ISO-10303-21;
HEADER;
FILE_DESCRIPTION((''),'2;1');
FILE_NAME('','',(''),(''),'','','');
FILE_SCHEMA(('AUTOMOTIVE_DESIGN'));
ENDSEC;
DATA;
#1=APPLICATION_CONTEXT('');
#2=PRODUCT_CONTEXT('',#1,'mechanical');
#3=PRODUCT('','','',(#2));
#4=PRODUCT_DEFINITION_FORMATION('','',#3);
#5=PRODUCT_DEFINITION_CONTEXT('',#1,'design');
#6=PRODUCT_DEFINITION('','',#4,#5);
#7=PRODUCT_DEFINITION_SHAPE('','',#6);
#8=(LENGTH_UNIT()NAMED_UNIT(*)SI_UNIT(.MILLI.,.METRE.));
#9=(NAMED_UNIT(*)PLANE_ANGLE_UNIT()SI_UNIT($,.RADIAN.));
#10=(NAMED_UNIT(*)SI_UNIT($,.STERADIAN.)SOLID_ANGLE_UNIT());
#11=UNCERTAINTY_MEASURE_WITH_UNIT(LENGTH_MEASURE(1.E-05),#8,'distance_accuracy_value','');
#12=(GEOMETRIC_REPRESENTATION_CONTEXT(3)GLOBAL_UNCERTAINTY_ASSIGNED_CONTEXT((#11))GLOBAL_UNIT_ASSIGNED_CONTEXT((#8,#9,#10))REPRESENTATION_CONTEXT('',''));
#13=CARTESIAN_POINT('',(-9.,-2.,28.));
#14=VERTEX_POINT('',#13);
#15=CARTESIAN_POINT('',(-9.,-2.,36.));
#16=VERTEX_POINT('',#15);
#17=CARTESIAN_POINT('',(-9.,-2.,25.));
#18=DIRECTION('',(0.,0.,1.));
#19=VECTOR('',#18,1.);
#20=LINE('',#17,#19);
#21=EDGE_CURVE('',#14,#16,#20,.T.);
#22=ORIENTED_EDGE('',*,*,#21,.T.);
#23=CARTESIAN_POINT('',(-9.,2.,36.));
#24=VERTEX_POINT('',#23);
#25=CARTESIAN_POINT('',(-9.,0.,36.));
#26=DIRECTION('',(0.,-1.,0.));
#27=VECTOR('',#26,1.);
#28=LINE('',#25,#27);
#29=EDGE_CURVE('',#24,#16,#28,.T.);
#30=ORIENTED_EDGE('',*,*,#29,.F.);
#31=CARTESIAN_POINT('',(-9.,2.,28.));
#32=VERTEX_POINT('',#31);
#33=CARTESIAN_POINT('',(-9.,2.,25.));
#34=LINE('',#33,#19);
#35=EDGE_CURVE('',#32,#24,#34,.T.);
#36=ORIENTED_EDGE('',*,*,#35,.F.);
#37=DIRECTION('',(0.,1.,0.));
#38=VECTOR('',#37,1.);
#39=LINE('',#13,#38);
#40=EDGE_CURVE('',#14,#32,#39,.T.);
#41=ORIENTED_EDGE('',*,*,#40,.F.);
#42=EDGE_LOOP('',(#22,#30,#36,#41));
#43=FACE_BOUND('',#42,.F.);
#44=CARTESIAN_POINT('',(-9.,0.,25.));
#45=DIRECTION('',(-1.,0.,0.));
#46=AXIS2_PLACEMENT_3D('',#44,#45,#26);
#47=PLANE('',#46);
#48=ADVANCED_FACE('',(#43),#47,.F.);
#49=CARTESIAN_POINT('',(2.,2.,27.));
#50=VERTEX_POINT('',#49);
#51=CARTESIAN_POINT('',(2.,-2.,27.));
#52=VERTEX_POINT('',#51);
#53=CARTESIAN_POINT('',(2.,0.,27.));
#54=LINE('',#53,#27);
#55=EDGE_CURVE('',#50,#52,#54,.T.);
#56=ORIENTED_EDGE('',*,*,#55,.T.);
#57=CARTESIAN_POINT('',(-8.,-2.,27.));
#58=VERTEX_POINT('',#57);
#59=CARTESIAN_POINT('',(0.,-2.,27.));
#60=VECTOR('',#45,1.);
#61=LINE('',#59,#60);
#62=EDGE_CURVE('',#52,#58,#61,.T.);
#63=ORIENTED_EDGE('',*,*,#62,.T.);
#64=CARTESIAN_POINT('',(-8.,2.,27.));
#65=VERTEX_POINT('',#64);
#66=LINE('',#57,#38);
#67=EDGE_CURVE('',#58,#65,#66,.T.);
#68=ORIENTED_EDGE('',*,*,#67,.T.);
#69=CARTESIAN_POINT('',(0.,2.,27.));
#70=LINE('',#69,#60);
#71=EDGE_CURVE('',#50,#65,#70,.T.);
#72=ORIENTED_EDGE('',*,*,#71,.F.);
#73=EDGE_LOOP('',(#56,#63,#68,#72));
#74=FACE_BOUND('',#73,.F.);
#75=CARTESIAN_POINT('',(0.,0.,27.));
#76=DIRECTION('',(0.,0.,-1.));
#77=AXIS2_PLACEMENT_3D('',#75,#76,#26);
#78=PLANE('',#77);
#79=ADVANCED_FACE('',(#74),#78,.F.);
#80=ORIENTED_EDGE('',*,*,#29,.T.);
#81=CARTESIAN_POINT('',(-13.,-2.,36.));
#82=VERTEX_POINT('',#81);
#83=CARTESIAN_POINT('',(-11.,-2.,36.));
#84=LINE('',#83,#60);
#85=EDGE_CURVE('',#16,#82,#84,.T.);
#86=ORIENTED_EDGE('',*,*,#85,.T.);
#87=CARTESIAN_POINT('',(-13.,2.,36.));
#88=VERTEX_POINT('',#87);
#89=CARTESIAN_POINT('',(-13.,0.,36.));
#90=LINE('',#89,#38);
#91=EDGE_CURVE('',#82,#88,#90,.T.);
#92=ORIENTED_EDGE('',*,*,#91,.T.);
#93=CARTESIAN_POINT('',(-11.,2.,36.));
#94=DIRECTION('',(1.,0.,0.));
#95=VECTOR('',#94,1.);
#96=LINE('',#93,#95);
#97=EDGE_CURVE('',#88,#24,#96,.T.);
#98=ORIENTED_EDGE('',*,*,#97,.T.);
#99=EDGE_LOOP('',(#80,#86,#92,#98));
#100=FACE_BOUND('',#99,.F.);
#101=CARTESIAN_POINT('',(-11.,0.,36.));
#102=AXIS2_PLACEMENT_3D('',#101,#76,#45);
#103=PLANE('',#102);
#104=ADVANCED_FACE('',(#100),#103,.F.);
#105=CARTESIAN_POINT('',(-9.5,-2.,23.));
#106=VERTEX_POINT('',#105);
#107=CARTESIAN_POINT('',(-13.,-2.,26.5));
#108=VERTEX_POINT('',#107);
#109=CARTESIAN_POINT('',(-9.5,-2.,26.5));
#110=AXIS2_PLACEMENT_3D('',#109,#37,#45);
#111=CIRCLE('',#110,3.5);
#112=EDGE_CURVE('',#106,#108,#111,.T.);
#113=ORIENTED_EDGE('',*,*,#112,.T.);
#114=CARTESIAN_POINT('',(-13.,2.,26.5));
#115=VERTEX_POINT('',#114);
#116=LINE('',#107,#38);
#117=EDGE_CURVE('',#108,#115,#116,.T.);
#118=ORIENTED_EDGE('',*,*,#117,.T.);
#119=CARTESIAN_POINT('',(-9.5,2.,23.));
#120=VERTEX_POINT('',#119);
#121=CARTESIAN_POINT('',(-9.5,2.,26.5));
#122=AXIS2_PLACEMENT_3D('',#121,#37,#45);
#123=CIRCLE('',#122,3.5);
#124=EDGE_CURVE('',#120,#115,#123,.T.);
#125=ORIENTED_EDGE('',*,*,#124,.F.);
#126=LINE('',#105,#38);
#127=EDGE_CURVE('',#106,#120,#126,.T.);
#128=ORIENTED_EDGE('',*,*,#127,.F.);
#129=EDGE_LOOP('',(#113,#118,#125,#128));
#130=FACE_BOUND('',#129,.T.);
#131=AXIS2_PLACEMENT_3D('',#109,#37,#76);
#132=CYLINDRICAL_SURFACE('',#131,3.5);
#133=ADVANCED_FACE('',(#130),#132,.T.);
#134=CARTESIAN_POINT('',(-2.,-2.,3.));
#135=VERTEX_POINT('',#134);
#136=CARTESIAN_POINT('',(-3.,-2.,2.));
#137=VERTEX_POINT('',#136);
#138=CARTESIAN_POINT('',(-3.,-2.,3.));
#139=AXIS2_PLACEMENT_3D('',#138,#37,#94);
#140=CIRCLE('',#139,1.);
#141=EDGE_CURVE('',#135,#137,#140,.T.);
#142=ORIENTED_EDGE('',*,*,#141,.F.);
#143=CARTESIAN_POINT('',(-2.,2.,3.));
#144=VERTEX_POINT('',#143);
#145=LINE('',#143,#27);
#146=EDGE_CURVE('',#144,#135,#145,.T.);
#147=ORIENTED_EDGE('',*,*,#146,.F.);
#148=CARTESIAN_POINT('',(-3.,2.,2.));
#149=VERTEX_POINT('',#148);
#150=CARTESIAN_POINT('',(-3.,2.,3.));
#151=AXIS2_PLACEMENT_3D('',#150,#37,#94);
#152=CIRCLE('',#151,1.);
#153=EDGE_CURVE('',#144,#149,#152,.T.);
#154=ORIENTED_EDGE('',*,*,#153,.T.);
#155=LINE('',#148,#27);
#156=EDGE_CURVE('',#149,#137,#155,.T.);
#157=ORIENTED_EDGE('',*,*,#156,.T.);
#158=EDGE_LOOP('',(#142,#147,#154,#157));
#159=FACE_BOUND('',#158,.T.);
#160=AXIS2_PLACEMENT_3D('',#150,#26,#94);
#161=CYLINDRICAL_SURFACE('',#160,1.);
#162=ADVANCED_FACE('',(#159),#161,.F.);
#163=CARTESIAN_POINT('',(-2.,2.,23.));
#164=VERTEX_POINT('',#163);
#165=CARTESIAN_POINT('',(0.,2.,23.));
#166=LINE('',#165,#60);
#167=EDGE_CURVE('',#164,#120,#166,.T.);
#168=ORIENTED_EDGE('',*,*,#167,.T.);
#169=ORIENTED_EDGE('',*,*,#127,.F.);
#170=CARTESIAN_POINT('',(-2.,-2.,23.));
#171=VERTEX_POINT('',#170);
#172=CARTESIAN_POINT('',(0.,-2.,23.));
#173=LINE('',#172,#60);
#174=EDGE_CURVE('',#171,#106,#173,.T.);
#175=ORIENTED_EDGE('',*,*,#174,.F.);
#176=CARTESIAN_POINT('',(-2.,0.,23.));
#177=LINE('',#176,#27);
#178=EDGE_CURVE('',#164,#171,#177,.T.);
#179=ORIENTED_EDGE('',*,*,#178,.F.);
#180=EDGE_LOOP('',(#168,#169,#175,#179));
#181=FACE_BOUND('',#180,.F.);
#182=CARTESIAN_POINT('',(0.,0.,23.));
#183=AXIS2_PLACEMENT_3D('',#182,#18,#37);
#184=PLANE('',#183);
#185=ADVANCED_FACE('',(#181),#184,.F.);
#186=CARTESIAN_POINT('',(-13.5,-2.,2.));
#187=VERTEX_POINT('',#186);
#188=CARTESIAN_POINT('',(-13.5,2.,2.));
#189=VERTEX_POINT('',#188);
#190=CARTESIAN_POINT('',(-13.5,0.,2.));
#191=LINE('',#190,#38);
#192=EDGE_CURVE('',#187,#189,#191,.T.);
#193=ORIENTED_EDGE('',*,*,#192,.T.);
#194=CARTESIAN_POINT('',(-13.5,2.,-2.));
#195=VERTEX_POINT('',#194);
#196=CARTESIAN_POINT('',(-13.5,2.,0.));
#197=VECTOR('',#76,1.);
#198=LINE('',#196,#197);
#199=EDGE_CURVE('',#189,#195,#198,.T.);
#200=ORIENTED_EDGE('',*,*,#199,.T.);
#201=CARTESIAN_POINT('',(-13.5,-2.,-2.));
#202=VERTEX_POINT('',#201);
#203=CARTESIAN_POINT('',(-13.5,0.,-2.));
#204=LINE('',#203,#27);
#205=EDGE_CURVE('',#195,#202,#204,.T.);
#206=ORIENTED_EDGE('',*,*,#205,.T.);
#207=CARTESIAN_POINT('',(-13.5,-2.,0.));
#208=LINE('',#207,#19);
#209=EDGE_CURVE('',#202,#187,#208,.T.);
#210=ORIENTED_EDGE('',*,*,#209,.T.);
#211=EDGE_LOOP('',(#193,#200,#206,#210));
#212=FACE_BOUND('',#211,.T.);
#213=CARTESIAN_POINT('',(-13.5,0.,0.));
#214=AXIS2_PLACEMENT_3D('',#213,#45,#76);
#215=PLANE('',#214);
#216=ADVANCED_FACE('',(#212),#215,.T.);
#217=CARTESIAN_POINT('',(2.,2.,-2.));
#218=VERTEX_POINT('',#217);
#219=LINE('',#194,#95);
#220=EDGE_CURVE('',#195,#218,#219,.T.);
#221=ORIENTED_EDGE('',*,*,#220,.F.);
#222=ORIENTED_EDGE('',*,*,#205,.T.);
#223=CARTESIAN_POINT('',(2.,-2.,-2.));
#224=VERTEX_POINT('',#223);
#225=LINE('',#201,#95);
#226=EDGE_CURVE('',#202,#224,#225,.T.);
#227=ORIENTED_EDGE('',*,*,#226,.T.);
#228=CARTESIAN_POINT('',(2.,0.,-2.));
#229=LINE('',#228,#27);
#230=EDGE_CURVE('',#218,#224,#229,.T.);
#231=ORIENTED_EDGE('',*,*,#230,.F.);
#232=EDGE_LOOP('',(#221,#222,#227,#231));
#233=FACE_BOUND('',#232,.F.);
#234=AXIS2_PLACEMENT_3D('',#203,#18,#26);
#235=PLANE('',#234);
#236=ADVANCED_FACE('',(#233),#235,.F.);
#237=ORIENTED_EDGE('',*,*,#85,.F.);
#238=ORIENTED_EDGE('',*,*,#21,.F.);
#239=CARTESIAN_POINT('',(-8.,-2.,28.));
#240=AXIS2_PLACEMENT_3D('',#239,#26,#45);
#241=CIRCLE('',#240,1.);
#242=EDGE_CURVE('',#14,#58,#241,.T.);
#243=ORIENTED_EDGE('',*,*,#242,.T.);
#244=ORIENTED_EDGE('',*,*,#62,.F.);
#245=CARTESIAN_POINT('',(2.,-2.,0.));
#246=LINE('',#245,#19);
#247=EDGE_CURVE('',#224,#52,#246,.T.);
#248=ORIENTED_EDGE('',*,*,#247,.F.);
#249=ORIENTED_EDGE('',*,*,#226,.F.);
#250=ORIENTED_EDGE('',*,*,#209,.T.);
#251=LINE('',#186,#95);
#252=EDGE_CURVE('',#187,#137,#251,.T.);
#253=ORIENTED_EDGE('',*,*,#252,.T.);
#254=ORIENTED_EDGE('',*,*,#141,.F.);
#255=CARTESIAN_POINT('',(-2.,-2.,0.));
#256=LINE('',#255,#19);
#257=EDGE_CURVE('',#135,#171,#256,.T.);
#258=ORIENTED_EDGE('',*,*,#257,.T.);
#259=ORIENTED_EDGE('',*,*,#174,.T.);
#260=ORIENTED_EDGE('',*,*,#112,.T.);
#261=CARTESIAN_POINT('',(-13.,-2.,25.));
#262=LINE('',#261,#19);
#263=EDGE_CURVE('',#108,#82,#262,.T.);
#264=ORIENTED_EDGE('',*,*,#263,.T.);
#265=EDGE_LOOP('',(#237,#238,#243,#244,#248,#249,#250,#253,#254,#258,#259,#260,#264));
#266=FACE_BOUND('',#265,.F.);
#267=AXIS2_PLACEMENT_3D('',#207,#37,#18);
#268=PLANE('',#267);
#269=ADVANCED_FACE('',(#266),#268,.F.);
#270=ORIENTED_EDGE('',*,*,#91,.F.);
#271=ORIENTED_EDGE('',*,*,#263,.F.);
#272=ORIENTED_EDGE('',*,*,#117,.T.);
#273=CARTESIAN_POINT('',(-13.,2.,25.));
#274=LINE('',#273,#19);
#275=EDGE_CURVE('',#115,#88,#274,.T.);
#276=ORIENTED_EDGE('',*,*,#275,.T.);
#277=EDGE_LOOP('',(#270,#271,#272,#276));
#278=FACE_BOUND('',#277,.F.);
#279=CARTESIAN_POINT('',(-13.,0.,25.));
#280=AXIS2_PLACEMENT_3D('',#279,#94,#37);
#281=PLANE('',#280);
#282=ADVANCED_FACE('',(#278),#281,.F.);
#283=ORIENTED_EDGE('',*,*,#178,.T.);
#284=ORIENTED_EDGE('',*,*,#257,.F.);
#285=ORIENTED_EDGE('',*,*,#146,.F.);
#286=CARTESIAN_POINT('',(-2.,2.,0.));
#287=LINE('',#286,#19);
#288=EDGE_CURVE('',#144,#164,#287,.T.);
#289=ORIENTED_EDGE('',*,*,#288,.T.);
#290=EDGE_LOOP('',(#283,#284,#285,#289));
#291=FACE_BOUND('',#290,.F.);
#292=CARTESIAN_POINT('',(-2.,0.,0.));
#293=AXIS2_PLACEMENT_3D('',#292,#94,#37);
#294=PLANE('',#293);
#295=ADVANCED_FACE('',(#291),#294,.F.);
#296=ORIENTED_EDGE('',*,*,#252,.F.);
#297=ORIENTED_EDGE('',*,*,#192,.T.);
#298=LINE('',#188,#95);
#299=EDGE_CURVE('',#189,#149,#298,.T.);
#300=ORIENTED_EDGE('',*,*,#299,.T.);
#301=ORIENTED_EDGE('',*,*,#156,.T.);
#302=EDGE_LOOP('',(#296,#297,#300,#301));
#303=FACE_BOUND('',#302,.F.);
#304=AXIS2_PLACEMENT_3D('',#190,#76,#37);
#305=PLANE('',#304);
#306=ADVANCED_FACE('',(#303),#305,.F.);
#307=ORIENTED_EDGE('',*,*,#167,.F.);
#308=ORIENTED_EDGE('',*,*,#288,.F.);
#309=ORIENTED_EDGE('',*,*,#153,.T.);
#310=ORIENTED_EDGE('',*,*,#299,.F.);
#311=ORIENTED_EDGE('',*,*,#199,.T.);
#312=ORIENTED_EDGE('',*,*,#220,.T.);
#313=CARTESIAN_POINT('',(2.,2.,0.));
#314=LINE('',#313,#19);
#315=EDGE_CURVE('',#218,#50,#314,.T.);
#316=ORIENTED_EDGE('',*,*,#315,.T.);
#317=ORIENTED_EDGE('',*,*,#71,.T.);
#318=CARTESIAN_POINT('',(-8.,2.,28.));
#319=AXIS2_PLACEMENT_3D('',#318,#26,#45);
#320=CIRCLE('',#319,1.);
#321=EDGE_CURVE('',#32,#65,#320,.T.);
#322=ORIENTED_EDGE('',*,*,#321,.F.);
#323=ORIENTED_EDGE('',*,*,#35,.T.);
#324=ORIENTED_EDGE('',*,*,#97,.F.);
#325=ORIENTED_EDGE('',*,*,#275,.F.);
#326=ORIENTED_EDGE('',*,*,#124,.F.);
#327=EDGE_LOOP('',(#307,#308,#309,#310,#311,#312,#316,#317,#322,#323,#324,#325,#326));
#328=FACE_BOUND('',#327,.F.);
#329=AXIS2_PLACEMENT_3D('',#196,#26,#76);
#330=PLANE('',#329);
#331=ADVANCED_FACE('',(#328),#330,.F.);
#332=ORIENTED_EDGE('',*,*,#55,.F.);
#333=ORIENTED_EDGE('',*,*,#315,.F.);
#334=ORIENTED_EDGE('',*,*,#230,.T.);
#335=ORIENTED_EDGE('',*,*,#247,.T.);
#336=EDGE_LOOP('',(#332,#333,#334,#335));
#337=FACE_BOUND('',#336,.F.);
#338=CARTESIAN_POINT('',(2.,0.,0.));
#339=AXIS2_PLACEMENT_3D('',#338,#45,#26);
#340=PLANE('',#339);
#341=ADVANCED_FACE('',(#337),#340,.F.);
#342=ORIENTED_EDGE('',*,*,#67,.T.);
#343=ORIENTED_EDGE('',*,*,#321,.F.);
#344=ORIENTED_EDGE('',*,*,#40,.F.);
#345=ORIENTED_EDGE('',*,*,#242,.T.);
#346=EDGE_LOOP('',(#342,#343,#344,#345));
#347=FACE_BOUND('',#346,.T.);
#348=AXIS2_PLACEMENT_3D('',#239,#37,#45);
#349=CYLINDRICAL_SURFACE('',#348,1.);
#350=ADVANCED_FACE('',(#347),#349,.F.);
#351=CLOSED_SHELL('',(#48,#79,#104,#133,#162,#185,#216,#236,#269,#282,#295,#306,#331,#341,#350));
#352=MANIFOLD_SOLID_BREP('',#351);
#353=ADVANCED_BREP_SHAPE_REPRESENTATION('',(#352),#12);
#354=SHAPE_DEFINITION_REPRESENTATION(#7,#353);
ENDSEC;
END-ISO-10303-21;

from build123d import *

# Parameters (mm, degrees)
F2_W = 4
F2_H = 4
F4_R = 3.5
F5_R = 1


with BuildPart() as f3:
    # F3: sweep along a path in F0
    with BuildLine(Plane.XZ) as f3_path:
        Line((-13.5, 0), (0, 0))
        Line((0, 0), (0, 25))
        Line((0, 25), (-11, 25))
        Line((-11, 25), (-11, 36))
    # F2 (on line) → F3 (sweep)
    with BuildSketch(Plane(origin=(-13.5, 0, 0), x_dir=(0, -1, 0), z_dir=(-1, 0, 0))):
        Rectangle(F2_W, F2_H)
    sweep(path=f3_path.line, transition=Transition.RIGHT)

    # F4
    f4_edges = [f3.edges().sort_by_distance(p)[0] for p in [
        (-13, 0, 23),
    ]]
    fillet(f4_edges, radius=F4_R)

    # F5
    f5_edges = [f3.edges().sort_by_distance(p)[0] for p in [
        (-9, 0, 27),
        (-2, 0, 2),
    ]]
    fillet(f5_edges, radius=F5_R)


solid = f3.part
